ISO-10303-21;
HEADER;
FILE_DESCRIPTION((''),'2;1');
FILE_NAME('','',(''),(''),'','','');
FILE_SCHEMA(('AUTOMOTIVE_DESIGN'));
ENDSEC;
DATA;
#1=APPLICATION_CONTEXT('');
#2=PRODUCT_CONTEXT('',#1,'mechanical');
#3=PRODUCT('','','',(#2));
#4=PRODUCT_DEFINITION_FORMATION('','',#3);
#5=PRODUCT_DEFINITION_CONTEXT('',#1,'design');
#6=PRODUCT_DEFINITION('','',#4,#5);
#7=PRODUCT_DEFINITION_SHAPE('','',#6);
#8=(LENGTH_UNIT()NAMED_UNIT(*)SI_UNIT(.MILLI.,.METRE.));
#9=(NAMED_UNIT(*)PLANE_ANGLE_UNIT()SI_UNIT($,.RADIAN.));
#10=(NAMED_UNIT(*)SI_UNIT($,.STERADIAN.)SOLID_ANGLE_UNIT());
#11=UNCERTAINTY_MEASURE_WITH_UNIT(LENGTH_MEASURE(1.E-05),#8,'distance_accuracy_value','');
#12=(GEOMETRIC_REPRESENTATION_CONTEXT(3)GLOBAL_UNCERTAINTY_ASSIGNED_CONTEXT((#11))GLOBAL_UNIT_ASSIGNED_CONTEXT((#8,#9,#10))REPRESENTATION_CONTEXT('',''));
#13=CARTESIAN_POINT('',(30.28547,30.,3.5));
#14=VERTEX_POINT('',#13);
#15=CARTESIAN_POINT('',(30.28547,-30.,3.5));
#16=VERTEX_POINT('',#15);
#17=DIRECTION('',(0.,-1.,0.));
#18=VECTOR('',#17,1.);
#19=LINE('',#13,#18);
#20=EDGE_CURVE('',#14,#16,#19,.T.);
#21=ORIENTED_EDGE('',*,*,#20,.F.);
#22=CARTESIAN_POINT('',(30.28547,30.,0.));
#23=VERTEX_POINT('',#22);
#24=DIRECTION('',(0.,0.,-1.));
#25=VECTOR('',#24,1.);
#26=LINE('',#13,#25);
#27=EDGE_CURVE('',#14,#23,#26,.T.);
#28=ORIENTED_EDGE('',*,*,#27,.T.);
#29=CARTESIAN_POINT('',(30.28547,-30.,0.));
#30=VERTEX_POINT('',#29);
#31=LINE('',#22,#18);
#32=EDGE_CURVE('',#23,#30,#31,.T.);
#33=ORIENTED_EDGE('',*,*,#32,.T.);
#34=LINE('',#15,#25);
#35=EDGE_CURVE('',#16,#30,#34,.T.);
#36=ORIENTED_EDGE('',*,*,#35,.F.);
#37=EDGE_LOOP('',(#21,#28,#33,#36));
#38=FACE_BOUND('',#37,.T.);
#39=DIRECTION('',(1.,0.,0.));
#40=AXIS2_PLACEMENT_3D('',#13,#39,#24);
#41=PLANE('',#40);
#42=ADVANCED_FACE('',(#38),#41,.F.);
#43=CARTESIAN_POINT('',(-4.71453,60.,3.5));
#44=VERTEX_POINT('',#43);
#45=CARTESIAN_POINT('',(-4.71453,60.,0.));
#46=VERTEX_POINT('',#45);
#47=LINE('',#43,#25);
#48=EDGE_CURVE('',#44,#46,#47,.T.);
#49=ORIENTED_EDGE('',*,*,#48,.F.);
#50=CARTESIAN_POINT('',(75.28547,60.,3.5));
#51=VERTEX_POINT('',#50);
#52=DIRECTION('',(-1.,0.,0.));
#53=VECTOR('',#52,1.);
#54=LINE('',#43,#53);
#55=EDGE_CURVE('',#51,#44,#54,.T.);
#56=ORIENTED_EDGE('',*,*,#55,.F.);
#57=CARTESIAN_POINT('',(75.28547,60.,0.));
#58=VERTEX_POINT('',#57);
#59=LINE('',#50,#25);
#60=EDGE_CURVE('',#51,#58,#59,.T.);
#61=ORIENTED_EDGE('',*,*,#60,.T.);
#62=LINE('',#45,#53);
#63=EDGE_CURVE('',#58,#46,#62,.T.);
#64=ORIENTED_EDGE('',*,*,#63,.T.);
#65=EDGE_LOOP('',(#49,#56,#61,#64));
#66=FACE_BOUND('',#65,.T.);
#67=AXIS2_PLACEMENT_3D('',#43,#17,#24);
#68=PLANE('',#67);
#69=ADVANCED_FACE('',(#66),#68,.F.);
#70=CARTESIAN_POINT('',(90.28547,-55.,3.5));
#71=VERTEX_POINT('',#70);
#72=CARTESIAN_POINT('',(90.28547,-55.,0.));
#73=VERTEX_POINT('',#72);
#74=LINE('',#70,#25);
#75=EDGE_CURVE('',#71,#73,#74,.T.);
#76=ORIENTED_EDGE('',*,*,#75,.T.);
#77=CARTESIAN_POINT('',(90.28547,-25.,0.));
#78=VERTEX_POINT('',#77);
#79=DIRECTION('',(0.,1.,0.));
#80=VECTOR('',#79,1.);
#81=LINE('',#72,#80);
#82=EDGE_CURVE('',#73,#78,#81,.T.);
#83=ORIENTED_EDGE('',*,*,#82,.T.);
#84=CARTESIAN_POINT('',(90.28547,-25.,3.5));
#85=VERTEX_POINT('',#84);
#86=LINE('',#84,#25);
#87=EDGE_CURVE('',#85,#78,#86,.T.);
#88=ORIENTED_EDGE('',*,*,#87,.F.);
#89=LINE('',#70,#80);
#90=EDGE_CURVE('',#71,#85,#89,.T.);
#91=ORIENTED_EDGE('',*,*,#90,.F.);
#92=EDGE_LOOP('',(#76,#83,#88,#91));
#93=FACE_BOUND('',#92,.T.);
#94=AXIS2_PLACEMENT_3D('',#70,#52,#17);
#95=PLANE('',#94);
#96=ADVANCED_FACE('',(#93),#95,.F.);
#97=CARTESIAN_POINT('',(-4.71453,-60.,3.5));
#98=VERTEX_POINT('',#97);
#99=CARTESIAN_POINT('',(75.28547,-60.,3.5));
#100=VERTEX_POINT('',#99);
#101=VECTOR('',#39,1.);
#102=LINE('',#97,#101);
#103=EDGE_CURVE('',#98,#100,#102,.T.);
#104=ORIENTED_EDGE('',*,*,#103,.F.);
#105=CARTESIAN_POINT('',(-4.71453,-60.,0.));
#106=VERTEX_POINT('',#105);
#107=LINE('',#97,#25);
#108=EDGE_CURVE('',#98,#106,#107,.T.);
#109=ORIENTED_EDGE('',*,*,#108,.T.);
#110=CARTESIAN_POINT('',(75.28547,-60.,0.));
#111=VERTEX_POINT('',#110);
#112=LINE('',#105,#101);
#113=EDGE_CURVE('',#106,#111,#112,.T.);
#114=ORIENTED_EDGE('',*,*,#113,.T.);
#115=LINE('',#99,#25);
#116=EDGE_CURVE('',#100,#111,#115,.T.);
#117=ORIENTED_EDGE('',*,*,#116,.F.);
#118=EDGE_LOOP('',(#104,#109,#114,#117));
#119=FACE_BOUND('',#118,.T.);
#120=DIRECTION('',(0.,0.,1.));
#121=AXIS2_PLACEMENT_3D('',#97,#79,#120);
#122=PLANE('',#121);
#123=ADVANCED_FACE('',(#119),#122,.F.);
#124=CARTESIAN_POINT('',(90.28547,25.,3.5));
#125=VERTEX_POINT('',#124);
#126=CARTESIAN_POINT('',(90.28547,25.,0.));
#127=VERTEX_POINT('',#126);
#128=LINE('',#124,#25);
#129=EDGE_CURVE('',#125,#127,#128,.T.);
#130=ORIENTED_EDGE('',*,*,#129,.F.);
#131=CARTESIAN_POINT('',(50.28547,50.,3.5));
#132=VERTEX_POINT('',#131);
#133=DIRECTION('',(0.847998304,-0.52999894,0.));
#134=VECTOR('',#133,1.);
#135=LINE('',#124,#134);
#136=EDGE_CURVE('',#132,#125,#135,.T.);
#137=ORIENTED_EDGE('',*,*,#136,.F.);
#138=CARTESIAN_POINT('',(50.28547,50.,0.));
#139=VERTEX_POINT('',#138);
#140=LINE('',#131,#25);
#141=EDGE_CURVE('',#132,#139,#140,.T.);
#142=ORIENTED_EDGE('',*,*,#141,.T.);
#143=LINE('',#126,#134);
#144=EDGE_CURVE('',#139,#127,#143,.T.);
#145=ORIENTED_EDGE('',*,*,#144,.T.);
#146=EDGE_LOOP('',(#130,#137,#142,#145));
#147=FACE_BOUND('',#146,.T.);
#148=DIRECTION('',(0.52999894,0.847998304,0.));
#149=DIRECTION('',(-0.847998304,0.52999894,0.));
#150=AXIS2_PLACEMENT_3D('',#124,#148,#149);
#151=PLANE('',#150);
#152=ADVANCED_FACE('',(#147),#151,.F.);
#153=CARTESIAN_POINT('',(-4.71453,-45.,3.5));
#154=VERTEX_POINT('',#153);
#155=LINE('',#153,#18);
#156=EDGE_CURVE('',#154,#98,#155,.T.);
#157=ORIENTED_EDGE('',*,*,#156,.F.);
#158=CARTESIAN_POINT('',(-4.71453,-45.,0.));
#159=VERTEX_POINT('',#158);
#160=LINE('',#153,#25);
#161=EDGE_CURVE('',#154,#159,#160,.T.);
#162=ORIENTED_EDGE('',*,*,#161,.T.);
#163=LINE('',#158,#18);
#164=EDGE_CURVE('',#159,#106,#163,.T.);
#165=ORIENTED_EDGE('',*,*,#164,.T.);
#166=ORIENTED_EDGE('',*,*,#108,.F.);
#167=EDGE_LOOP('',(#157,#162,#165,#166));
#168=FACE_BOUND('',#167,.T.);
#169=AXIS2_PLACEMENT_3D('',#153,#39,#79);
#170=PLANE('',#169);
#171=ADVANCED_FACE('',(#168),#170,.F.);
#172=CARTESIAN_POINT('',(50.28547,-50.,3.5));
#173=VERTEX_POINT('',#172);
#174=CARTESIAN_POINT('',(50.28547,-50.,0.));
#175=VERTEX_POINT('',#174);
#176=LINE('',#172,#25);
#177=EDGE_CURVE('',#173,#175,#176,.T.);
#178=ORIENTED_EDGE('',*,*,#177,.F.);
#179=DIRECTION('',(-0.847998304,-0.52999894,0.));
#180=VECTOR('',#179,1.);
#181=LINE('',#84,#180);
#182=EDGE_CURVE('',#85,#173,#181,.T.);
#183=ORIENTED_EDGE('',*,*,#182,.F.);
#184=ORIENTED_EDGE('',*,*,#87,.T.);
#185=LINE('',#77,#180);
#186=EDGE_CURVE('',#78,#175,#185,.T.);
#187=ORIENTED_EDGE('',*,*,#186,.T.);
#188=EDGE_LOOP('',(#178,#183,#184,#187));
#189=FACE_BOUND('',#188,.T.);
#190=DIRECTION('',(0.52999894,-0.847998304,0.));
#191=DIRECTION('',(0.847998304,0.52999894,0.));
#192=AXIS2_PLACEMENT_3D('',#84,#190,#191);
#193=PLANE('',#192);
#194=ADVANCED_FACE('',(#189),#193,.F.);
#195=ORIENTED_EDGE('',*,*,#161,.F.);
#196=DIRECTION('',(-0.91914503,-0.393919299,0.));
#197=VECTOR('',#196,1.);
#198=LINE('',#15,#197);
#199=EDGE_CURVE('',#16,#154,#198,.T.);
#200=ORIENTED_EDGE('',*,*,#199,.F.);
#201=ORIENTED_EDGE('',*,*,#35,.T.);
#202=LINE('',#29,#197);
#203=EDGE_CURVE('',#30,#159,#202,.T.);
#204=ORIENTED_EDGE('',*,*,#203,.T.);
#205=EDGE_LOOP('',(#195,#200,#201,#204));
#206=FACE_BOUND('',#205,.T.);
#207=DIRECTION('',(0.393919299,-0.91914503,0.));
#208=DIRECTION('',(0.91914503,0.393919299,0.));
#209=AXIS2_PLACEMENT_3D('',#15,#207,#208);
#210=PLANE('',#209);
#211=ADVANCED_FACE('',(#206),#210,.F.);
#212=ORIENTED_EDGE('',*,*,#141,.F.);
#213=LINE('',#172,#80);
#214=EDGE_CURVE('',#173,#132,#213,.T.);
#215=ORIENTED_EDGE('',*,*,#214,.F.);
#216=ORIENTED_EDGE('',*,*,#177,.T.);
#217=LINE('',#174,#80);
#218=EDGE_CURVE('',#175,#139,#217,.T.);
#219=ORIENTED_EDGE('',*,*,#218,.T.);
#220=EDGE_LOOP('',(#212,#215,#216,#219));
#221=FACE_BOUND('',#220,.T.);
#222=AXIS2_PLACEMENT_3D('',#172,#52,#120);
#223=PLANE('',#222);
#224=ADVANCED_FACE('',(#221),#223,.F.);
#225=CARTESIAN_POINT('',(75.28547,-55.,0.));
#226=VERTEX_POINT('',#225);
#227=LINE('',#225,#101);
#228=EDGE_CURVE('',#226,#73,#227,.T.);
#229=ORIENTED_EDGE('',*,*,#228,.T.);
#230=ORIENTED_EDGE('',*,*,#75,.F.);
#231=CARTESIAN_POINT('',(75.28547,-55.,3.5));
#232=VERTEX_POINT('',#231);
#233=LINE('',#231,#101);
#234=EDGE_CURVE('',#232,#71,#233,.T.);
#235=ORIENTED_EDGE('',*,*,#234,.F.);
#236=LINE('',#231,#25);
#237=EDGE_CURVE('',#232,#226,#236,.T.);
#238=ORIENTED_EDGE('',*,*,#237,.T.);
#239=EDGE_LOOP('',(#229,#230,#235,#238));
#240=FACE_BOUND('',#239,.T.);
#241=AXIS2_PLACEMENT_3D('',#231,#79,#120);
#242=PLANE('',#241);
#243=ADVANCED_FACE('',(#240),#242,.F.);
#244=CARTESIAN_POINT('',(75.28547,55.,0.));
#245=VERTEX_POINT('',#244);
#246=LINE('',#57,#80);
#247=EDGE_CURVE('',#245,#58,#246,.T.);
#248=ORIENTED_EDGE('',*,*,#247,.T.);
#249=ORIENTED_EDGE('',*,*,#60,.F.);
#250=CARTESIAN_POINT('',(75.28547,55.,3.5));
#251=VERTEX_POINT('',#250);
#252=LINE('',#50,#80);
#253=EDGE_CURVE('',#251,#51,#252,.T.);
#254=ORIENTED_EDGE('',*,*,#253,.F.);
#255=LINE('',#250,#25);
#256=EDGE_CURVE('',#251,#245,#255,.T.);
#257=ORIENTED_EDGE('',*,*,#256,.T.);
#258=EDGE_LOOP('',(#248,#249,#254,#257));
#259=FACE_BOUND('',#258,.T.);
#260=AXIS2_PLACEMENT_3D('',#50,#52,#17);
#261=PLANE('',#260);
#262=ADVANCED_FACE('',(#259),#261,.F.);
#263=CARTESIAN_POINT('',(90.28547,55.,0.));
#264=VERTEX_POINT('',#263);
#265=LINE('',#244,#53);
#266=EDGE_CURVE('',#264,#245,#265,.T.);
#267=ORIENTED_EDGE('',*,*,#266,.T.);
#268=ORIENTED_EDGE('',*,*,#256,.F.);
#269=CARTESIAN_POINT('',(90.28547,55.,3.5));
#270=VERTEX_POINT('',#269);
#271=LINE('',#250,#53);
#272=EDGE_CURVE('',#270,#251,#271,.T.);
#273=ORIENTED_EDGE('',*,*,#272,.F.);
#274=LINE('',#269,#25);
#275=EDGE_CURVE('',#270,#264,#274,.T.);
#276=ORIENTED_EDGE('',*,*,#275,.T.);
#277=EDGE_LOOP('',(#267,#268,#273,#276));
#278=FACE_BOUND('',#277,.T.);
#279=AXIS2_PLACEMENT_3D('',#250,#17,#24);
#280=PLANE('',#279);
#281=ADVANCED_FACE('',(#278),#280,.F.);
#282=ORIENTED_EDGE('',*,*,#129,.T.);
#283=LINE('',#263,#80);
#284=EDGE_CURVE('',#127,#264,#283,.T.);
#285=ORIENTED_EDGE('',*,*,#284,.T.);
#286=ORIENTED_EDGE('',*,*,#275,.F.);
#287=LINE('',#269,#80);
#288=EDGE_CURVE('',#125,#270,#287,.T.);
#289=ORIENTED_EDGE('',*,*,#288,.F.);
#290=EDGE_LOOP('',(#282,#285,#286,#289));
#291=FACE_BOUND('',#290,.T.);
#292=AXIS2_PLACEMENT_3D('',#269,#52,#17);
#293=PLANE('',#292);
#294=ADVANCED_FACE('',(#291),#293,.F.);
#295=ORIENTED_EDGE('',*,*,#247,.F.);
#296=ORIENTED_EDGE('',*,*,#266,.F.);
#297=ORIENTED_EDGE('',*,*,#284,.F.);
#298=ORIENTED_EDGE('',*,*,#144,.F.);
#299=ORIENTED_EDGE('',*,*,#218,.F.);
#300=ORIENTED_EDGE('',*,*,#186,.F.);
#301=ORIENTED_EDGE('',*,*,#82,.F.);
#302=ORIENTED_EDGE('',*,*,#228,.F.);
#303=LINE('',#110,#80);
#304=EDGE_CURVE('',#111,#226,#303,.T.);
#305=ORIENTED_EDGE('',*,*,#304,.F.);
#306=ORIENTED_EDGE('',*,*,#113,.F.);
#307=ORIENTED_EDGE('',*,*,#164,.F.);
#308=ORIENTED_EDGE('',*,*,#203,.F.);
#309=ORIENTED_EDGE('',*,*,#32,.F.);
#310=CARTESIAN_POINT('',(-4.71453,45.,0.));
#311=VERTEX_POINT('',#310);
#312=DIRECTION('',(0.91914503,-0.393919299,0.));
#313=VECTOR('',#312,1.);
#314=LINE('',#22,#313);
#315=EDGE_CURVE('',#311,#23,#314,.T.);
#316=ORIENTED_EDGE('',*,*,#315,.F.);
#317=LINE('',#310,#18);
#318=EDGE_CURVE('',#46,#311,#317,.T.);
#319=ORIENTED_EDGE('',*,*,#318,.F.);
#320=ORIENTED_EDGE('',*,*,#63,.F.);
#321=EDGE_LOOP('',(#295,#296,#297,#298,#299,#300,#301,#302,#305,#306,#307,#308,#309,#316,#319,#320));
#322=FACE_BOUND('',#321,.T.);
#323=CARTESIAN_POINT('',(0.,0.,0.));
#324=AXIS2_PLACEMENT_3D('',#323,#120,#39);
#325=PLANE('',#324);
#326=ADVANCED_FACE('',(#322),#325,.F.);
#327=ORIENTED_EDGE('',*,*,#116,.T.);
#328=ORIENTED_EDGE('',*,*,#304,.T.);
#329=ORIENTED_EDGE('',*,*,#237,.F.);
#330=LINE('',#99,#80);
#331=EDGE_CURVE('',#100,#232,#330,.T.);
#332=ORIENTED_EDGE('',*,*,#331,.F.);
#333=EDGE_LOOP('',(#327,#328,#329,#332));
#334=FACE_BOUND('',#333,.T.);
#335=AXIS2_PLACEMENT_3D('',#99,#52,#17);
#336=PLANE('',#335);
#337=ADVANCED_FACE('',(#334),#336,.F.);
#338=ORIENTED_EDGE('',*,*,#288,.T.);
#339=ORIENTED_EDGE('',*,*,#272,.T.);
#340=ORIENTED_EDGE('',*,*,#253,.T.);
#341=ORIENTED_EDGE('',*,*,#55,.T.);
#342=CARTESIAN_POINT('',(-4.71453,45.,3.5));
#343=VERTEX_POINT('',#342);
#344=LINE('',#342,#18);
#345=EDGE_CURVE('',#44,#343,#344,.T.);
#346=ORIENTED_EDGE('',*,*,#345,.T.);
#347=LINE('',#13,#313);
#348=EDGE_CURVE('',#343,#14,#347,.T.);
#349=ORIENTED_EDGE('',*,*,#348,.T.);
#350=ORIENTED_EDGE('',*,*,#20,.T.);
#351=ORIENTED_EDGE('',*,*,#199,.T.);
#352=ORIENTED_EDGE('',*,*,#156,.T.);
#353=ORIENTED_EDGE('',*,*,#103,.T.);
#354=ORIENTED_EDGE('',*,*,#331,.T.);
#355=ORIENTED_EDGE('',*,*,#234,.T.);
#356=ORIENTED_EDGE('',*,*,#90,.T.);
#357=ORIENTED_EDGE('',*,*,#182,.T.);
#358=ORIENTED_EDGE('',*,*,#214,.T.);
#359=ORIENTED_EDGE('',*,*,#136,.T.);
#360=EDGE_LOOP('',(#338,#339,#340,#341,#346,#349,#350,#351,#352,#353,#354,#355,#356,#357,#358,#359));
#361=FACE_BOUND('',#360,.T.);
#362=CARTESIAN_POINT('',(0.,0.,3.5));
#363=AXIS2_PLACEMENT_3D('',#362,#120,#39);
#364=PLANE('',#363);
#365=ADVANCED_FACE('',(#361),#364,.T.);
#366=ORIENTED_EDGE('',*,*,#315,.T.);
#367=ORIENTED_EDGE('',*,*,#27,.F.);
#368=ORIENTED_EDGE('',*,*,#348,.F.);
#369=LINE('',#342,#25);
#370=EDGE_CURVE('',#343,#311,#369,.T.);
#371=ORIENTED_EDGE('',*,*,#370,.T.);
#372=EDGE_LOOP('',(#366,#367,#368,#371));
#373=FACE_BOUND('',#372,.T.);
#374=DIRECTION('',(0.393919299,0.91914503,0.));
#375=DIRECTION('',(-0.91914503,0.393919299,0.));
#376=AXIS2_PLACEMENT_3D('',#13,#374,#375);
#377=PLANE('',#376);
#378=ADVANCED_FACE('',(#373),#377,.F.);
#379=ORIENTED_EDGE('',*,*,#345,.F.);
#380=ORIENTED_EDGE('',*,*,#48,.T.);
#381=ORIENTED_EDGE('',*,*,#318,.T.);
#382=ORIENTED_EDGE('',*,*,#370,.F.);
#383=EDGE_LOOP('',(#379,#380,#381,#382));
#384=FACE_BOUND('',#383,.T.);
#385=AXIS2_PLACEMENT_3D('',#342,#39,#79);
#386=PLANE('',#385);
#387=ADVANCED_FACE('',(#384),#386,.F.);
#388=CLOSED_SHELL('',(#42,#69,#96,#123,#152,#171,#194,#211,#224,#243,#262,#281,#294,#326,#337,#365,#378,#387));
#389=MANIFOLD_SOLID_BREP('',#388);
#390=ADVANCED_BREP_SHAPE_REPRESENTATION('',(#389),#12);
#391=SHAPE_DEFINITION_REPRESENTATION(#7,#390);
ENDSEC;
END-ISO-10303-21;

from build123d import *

# Parameters (mm, degrees)
AUFSATZ_LINEAR_AUSTRAGEN1_DEPTH = 3.5


with BuildPart() as part:
    # Skizze1 → Aufsatz-Linear austragen1 (new body)
    with BuildSketch(Plane.XY):
        Polygon((30.285470489, 30), (30.285470489, -30), (-4.714529511, -45), (-4.714529511, -60), (75.285470489, -60), (75.285470489, -55), (90.285470489, -55), (90.285470489, -25), (50.285470489, -50), (50.285470489, 50), (90.285470489, 25), (90.285470489, 55), (75.285470489, 55), (75.285470489, 60), (-4.714529511, 60), (-4.714529511, 45), align=None)
    extrude(amount=AUFSATZ_LINEAR_AUSTRAGEN1_DEPTH)


solid = part.part
